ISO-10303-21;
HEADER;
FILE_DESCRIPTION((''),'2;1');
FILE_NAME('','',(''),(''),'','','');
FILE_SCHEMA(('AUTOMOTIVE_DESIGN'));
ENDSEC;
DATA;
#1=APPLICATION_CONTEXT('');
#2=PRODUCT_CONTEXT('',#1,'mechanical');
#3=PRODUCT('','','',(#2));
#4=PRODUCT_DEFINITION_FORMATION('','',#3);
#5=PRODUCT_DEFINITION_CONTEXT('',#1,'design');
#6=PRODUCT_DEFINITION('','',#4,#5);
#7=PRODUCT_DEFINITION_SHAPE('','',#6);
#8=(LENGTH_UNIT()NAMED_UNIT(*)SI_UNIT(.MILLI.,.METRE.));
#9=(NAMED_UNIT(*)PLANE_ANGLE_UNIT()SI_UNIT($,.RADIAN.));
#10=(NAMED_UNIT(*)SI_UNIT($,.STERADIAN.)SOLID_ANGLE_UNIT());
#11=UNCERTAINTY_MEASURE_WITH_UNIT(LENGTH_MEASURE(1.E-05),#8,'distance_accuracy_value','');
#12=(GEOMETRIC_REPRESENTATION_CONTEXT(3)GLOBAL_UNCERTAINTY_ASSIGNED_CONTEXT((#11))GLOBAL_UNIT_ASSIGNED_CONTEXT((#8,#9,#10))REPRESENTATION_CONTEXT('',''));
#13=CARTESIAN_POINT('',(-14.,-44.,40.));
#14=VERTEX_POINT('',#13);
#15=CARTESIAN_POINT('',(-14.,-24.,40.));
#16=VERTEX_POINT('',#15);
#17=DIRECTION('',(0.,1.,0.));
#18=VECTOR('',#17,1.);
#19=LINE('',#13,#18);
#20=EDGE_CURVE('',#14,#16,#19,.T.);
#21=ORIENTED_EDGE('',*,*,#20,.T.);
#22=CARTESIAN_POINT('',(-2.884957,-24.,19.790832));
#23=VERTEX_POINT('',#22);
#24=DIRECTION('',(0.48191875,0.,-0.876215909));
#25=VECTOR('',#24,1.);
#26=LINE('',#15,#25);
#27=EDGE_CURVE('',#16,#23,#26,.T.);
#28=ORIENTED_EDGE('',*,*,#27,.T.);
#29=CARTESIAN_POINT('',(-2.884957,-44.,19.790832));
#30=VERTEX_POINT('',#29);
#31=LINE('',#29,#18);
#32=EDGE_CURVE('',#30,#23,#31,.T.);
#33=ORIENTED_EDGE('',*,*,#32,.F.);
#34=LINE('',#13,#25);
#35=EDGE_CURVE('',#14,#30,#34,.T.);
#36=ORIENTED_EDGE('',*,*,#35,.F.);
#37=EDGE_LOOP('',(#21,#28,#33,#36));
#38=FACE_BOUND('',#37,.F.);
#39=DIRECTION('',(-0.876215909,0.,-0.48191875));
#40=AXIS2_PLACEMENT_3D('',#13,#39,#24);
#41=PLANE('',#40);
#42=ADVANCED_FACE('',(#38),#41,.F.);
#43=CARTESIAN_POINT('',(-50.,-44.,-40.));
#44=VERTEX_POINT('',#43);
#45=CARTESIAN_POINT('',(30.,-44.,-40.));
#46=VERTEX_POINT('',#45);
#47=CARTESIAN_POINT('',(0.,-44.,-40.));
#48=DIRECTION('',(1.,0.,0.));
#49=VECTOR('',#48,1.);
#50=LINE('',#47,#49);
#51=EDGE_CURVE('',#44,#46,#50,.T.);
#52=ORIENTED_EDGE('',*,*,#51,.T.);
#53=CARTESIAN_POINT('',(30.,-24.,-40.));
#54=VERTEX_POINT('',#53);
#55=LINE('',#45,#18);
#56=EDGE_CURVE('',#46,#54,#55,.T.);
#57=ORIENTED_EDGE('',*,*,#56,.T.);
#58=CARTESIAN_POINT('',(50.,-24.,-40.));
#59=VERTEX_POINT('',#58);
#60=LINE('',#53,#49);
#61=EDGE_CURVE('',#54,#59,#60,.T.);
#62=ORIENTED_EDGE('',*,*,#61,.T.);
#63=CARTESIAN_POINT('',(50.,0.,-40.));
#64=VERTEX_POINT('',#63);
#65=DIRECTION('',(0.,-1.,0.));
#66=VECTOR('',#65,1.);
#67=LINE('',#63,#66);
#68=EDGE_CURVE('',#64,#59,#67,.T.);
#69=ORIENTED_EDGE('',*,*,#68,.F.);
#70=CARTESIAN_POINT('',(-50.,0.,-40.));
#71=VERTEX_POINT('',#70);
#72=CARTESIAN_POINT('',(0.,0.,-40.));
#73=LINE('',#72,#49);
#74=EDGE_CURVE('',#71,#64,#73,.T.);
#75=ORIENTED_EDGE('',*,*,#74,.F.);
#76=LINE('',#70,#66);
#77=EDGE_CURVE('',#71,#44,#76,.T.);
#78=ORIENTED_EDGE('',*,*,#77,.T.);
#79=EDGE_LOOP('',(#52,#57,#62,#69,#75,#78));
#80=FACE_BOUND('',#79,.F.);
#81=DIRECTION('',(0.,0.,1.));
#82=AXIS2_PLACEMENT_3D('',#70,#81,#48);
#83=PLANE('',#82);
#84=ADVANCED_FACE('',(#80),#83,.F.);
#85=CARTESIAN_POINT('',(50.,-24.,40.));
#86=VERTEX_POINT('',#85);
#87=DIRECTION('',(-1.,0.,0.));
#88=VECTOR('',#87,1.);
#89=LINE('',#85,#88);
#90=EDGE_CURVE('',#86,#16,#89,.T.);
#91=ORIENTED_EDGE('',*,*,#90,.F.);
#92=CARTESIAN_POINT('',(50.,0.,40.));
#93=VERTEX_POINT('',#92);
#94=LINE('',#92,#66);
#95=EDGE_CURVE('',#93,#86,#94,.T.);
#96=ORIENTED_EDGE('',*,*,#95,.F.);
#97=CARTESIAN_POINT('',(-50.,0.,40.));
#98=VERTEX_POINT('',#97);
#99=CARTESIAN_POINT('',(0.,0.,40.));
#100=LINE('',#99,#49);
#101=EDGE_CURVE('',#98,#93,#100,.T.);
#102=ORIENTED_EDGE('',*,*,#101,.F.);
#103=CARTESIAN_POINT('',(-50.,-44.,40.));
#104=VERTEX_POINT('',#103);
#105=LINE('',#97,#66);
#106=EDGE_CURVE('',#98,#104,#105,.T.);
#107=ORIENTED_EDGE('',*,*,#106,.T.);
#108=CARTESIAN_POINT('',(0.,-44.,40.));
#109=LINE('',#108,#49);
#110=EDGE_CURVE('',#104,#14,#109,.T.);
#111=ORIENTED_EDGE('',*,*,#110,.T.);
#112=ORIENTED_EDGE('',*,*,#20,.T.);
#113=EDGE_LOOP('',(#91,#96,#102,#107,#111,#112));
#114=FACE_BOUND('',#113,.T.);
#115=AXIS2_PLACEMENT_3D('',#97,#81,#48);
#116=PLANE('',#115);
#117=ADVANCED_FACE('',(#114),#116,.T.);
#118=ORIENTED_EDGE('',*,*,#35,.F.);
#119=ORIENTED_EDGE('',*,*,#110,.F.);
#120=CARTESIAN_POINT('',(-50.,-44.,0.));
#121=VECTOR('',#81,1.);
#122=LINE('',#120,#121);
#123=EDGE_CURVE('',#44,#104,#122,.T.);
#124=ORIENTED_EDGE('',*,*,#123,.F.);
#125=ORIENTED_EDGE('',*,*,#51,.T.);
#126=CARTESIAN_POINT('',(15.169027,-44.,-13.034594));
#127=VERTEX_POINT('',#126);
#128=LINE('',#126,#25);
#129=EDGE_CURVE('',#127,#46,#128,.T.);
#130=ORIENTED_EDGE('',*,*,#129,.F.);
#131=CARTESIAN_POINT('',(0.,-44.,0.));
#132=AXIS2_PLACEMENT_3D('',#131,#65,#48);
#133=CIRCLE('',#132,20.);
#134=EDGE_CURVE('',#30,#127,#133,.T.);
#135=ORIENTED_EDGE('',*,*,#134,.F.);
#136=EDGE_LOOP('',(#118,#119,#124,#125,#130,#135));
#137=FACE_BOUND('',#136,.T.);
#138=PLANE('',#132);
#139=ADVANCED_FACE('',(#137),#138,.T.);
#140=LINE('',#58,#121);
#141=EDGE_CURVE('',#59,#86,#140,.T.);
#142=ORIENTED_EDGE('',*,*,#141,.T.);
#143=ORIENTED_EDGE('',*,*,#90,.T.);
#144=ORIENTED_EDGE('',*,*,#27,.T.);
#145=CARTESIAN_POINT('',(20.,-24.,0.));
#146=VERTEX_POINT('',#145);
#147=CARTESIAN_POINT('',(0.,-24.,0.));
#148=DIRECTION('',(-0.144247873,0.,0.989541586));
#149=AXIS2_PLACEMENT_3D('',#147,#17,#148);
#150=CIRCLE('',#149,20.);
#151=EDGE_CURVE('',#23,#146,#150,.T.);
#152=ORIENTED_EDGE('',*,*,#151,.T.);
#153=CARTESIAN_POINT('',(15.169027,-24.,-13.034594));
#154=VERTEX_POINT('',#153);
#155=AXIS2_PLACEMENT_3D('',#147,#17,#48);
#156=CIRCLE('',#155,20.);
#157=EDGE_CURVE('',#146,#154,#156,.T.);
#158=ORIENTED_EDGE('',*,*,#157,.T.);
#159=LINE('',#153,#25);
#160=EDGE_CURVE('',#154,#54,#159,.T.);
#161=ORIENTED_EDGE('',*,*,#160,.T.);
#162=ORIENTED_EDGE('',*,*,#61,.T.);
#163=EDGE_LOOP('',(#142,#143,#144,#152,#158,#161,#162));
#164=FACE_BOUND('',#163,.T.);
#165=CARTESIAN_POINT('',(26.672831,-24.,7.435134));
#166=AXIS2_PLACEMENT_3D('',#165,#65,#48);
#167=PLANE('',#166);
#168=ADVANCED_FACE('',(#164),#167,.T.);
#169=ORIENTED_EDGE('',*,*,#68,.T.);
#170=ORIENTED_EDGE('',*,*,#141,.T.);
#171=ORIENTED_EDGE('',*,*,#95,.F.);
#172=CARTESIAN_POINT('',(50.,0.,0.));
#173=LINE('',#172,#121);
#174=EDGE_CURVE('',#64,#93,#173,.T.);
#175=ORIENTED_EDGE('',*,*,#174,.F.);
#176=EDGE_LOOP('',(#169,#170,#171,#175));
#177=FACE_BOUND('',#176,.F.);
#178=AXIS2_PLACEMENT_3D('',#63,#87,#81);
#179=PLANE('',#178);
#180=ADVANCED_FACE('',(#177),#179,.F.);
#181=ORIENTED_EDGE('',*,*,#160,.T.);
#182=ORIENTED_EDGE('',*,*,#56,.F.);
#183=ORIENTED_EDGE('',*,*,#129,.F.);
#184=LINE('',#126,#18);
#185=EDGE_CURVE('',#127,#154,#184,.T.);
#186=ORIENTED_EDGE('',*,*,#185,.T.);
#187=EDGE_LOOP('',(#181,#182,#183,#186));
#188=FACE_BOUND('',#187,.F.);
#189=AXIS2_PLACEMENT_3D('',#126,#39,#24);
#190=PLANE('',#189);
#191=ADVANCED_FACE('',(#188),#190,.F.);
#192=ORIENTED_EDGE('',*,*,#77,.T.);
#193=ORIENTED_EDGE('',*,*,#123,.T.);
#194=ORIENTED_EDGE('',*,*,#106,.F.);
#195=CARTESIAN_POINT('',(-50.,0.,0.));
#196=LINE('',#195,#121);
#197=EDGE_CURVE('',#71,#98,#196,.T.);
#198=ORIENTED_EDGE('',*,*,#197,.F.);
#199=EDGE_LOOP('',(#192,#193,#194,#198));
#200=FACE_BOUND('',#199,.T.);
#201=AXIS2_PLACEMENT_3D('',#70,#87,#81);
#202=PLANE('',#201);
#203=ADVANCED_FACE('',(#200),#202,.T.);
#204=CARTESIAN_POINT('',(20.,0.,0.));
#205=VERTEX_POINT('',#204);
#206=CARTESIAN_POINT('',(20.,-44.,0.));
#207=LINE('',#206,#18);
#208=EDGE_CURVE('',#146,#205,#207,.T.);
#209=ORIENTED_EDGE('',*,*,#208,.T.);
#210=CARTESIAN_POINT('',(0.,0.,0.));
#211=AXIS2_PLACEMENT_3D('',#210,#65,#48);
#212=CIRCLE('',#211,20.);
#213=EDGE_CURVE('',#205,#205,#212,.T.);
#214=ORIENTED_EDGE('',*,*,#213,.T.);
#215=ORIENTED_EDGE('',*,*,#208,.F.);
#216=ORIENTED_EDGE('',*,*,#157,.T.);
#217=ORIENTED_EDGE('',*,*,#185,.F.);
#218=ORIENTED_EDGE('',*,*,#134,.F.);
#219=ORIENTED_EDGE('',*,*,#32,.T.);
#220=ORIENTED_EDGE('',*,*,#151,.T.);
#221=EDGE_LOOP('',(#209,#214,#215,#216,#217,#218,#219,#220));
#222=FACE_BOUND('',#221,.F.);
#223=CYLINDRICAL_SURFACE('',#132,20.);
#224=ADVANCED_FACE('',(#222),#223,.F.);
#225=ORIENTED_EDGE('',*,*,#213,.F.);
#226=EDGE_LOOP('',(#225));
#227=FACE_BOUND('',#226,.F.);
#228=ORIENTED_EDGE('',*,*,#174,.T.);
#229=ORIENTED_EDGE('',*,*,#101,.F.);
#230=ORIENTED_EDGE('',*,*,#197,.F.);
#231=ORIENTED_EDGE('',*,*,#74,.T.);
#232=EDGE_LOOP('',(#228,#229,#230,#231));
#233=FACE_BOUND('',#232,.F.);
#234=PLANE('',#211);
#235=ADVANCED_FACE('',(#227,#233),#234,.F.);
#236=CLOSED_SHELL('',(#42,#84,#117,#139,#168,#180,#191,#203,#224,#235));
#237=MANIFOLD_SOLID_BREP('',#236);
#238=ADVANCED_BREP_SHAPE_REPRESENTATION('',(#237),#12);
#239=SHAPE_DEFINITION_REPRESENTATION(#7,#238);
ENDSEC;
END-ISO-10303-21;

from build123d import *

# Parameters (mm, degrees)
F0_W     = 100
F0_H     = 80
F1_DEPTH = 44
F2_R     = 20
F3_DEPTH = 50
F5_DEPTH = 20


with BuildPart() as f1:
    # F0 (on Front) → F1 (new body)
    with BuildSketch(Plane.XZ):
        Rectangle(F0_W, F0_H)
    extrude(amount=F1_DEPTH)

    # F2 (on face) → F3 (cut)
    with BuildSketch(Plane.XZ.offset(44)):
        Circle(F2_R)
    extrude(amount=-F3_DEPTH, mode=Mode.SUBTRACT)

    # F4 (on face) → F5 (cut)
    with BuildSketch(Plane.XZ.offset(44)):
        with BuildLine():
            Line((50, 40), (-14, 40))
            Line((-14, 40), (-2.8849574507, 19.7908317285))
            ThreePointArc((-2.8849574507, 19.7908317285), (13.0824472287, 15.1277749358), (20, 0))
            ThreePointArc((20, 0), (18.7534067701, -6.9505204492), (15.1690265486, -13.0345937247))
            Line((15.1690265486, -13.0345937247), (30, -40))
            Line((30, -40), (50, -40))
            Line((50, -40), (50, 40))
        make_face()
    extrude(amount=-F5_DEPTH, mode=Mode.SUBTRACT)


solid = f1.part
